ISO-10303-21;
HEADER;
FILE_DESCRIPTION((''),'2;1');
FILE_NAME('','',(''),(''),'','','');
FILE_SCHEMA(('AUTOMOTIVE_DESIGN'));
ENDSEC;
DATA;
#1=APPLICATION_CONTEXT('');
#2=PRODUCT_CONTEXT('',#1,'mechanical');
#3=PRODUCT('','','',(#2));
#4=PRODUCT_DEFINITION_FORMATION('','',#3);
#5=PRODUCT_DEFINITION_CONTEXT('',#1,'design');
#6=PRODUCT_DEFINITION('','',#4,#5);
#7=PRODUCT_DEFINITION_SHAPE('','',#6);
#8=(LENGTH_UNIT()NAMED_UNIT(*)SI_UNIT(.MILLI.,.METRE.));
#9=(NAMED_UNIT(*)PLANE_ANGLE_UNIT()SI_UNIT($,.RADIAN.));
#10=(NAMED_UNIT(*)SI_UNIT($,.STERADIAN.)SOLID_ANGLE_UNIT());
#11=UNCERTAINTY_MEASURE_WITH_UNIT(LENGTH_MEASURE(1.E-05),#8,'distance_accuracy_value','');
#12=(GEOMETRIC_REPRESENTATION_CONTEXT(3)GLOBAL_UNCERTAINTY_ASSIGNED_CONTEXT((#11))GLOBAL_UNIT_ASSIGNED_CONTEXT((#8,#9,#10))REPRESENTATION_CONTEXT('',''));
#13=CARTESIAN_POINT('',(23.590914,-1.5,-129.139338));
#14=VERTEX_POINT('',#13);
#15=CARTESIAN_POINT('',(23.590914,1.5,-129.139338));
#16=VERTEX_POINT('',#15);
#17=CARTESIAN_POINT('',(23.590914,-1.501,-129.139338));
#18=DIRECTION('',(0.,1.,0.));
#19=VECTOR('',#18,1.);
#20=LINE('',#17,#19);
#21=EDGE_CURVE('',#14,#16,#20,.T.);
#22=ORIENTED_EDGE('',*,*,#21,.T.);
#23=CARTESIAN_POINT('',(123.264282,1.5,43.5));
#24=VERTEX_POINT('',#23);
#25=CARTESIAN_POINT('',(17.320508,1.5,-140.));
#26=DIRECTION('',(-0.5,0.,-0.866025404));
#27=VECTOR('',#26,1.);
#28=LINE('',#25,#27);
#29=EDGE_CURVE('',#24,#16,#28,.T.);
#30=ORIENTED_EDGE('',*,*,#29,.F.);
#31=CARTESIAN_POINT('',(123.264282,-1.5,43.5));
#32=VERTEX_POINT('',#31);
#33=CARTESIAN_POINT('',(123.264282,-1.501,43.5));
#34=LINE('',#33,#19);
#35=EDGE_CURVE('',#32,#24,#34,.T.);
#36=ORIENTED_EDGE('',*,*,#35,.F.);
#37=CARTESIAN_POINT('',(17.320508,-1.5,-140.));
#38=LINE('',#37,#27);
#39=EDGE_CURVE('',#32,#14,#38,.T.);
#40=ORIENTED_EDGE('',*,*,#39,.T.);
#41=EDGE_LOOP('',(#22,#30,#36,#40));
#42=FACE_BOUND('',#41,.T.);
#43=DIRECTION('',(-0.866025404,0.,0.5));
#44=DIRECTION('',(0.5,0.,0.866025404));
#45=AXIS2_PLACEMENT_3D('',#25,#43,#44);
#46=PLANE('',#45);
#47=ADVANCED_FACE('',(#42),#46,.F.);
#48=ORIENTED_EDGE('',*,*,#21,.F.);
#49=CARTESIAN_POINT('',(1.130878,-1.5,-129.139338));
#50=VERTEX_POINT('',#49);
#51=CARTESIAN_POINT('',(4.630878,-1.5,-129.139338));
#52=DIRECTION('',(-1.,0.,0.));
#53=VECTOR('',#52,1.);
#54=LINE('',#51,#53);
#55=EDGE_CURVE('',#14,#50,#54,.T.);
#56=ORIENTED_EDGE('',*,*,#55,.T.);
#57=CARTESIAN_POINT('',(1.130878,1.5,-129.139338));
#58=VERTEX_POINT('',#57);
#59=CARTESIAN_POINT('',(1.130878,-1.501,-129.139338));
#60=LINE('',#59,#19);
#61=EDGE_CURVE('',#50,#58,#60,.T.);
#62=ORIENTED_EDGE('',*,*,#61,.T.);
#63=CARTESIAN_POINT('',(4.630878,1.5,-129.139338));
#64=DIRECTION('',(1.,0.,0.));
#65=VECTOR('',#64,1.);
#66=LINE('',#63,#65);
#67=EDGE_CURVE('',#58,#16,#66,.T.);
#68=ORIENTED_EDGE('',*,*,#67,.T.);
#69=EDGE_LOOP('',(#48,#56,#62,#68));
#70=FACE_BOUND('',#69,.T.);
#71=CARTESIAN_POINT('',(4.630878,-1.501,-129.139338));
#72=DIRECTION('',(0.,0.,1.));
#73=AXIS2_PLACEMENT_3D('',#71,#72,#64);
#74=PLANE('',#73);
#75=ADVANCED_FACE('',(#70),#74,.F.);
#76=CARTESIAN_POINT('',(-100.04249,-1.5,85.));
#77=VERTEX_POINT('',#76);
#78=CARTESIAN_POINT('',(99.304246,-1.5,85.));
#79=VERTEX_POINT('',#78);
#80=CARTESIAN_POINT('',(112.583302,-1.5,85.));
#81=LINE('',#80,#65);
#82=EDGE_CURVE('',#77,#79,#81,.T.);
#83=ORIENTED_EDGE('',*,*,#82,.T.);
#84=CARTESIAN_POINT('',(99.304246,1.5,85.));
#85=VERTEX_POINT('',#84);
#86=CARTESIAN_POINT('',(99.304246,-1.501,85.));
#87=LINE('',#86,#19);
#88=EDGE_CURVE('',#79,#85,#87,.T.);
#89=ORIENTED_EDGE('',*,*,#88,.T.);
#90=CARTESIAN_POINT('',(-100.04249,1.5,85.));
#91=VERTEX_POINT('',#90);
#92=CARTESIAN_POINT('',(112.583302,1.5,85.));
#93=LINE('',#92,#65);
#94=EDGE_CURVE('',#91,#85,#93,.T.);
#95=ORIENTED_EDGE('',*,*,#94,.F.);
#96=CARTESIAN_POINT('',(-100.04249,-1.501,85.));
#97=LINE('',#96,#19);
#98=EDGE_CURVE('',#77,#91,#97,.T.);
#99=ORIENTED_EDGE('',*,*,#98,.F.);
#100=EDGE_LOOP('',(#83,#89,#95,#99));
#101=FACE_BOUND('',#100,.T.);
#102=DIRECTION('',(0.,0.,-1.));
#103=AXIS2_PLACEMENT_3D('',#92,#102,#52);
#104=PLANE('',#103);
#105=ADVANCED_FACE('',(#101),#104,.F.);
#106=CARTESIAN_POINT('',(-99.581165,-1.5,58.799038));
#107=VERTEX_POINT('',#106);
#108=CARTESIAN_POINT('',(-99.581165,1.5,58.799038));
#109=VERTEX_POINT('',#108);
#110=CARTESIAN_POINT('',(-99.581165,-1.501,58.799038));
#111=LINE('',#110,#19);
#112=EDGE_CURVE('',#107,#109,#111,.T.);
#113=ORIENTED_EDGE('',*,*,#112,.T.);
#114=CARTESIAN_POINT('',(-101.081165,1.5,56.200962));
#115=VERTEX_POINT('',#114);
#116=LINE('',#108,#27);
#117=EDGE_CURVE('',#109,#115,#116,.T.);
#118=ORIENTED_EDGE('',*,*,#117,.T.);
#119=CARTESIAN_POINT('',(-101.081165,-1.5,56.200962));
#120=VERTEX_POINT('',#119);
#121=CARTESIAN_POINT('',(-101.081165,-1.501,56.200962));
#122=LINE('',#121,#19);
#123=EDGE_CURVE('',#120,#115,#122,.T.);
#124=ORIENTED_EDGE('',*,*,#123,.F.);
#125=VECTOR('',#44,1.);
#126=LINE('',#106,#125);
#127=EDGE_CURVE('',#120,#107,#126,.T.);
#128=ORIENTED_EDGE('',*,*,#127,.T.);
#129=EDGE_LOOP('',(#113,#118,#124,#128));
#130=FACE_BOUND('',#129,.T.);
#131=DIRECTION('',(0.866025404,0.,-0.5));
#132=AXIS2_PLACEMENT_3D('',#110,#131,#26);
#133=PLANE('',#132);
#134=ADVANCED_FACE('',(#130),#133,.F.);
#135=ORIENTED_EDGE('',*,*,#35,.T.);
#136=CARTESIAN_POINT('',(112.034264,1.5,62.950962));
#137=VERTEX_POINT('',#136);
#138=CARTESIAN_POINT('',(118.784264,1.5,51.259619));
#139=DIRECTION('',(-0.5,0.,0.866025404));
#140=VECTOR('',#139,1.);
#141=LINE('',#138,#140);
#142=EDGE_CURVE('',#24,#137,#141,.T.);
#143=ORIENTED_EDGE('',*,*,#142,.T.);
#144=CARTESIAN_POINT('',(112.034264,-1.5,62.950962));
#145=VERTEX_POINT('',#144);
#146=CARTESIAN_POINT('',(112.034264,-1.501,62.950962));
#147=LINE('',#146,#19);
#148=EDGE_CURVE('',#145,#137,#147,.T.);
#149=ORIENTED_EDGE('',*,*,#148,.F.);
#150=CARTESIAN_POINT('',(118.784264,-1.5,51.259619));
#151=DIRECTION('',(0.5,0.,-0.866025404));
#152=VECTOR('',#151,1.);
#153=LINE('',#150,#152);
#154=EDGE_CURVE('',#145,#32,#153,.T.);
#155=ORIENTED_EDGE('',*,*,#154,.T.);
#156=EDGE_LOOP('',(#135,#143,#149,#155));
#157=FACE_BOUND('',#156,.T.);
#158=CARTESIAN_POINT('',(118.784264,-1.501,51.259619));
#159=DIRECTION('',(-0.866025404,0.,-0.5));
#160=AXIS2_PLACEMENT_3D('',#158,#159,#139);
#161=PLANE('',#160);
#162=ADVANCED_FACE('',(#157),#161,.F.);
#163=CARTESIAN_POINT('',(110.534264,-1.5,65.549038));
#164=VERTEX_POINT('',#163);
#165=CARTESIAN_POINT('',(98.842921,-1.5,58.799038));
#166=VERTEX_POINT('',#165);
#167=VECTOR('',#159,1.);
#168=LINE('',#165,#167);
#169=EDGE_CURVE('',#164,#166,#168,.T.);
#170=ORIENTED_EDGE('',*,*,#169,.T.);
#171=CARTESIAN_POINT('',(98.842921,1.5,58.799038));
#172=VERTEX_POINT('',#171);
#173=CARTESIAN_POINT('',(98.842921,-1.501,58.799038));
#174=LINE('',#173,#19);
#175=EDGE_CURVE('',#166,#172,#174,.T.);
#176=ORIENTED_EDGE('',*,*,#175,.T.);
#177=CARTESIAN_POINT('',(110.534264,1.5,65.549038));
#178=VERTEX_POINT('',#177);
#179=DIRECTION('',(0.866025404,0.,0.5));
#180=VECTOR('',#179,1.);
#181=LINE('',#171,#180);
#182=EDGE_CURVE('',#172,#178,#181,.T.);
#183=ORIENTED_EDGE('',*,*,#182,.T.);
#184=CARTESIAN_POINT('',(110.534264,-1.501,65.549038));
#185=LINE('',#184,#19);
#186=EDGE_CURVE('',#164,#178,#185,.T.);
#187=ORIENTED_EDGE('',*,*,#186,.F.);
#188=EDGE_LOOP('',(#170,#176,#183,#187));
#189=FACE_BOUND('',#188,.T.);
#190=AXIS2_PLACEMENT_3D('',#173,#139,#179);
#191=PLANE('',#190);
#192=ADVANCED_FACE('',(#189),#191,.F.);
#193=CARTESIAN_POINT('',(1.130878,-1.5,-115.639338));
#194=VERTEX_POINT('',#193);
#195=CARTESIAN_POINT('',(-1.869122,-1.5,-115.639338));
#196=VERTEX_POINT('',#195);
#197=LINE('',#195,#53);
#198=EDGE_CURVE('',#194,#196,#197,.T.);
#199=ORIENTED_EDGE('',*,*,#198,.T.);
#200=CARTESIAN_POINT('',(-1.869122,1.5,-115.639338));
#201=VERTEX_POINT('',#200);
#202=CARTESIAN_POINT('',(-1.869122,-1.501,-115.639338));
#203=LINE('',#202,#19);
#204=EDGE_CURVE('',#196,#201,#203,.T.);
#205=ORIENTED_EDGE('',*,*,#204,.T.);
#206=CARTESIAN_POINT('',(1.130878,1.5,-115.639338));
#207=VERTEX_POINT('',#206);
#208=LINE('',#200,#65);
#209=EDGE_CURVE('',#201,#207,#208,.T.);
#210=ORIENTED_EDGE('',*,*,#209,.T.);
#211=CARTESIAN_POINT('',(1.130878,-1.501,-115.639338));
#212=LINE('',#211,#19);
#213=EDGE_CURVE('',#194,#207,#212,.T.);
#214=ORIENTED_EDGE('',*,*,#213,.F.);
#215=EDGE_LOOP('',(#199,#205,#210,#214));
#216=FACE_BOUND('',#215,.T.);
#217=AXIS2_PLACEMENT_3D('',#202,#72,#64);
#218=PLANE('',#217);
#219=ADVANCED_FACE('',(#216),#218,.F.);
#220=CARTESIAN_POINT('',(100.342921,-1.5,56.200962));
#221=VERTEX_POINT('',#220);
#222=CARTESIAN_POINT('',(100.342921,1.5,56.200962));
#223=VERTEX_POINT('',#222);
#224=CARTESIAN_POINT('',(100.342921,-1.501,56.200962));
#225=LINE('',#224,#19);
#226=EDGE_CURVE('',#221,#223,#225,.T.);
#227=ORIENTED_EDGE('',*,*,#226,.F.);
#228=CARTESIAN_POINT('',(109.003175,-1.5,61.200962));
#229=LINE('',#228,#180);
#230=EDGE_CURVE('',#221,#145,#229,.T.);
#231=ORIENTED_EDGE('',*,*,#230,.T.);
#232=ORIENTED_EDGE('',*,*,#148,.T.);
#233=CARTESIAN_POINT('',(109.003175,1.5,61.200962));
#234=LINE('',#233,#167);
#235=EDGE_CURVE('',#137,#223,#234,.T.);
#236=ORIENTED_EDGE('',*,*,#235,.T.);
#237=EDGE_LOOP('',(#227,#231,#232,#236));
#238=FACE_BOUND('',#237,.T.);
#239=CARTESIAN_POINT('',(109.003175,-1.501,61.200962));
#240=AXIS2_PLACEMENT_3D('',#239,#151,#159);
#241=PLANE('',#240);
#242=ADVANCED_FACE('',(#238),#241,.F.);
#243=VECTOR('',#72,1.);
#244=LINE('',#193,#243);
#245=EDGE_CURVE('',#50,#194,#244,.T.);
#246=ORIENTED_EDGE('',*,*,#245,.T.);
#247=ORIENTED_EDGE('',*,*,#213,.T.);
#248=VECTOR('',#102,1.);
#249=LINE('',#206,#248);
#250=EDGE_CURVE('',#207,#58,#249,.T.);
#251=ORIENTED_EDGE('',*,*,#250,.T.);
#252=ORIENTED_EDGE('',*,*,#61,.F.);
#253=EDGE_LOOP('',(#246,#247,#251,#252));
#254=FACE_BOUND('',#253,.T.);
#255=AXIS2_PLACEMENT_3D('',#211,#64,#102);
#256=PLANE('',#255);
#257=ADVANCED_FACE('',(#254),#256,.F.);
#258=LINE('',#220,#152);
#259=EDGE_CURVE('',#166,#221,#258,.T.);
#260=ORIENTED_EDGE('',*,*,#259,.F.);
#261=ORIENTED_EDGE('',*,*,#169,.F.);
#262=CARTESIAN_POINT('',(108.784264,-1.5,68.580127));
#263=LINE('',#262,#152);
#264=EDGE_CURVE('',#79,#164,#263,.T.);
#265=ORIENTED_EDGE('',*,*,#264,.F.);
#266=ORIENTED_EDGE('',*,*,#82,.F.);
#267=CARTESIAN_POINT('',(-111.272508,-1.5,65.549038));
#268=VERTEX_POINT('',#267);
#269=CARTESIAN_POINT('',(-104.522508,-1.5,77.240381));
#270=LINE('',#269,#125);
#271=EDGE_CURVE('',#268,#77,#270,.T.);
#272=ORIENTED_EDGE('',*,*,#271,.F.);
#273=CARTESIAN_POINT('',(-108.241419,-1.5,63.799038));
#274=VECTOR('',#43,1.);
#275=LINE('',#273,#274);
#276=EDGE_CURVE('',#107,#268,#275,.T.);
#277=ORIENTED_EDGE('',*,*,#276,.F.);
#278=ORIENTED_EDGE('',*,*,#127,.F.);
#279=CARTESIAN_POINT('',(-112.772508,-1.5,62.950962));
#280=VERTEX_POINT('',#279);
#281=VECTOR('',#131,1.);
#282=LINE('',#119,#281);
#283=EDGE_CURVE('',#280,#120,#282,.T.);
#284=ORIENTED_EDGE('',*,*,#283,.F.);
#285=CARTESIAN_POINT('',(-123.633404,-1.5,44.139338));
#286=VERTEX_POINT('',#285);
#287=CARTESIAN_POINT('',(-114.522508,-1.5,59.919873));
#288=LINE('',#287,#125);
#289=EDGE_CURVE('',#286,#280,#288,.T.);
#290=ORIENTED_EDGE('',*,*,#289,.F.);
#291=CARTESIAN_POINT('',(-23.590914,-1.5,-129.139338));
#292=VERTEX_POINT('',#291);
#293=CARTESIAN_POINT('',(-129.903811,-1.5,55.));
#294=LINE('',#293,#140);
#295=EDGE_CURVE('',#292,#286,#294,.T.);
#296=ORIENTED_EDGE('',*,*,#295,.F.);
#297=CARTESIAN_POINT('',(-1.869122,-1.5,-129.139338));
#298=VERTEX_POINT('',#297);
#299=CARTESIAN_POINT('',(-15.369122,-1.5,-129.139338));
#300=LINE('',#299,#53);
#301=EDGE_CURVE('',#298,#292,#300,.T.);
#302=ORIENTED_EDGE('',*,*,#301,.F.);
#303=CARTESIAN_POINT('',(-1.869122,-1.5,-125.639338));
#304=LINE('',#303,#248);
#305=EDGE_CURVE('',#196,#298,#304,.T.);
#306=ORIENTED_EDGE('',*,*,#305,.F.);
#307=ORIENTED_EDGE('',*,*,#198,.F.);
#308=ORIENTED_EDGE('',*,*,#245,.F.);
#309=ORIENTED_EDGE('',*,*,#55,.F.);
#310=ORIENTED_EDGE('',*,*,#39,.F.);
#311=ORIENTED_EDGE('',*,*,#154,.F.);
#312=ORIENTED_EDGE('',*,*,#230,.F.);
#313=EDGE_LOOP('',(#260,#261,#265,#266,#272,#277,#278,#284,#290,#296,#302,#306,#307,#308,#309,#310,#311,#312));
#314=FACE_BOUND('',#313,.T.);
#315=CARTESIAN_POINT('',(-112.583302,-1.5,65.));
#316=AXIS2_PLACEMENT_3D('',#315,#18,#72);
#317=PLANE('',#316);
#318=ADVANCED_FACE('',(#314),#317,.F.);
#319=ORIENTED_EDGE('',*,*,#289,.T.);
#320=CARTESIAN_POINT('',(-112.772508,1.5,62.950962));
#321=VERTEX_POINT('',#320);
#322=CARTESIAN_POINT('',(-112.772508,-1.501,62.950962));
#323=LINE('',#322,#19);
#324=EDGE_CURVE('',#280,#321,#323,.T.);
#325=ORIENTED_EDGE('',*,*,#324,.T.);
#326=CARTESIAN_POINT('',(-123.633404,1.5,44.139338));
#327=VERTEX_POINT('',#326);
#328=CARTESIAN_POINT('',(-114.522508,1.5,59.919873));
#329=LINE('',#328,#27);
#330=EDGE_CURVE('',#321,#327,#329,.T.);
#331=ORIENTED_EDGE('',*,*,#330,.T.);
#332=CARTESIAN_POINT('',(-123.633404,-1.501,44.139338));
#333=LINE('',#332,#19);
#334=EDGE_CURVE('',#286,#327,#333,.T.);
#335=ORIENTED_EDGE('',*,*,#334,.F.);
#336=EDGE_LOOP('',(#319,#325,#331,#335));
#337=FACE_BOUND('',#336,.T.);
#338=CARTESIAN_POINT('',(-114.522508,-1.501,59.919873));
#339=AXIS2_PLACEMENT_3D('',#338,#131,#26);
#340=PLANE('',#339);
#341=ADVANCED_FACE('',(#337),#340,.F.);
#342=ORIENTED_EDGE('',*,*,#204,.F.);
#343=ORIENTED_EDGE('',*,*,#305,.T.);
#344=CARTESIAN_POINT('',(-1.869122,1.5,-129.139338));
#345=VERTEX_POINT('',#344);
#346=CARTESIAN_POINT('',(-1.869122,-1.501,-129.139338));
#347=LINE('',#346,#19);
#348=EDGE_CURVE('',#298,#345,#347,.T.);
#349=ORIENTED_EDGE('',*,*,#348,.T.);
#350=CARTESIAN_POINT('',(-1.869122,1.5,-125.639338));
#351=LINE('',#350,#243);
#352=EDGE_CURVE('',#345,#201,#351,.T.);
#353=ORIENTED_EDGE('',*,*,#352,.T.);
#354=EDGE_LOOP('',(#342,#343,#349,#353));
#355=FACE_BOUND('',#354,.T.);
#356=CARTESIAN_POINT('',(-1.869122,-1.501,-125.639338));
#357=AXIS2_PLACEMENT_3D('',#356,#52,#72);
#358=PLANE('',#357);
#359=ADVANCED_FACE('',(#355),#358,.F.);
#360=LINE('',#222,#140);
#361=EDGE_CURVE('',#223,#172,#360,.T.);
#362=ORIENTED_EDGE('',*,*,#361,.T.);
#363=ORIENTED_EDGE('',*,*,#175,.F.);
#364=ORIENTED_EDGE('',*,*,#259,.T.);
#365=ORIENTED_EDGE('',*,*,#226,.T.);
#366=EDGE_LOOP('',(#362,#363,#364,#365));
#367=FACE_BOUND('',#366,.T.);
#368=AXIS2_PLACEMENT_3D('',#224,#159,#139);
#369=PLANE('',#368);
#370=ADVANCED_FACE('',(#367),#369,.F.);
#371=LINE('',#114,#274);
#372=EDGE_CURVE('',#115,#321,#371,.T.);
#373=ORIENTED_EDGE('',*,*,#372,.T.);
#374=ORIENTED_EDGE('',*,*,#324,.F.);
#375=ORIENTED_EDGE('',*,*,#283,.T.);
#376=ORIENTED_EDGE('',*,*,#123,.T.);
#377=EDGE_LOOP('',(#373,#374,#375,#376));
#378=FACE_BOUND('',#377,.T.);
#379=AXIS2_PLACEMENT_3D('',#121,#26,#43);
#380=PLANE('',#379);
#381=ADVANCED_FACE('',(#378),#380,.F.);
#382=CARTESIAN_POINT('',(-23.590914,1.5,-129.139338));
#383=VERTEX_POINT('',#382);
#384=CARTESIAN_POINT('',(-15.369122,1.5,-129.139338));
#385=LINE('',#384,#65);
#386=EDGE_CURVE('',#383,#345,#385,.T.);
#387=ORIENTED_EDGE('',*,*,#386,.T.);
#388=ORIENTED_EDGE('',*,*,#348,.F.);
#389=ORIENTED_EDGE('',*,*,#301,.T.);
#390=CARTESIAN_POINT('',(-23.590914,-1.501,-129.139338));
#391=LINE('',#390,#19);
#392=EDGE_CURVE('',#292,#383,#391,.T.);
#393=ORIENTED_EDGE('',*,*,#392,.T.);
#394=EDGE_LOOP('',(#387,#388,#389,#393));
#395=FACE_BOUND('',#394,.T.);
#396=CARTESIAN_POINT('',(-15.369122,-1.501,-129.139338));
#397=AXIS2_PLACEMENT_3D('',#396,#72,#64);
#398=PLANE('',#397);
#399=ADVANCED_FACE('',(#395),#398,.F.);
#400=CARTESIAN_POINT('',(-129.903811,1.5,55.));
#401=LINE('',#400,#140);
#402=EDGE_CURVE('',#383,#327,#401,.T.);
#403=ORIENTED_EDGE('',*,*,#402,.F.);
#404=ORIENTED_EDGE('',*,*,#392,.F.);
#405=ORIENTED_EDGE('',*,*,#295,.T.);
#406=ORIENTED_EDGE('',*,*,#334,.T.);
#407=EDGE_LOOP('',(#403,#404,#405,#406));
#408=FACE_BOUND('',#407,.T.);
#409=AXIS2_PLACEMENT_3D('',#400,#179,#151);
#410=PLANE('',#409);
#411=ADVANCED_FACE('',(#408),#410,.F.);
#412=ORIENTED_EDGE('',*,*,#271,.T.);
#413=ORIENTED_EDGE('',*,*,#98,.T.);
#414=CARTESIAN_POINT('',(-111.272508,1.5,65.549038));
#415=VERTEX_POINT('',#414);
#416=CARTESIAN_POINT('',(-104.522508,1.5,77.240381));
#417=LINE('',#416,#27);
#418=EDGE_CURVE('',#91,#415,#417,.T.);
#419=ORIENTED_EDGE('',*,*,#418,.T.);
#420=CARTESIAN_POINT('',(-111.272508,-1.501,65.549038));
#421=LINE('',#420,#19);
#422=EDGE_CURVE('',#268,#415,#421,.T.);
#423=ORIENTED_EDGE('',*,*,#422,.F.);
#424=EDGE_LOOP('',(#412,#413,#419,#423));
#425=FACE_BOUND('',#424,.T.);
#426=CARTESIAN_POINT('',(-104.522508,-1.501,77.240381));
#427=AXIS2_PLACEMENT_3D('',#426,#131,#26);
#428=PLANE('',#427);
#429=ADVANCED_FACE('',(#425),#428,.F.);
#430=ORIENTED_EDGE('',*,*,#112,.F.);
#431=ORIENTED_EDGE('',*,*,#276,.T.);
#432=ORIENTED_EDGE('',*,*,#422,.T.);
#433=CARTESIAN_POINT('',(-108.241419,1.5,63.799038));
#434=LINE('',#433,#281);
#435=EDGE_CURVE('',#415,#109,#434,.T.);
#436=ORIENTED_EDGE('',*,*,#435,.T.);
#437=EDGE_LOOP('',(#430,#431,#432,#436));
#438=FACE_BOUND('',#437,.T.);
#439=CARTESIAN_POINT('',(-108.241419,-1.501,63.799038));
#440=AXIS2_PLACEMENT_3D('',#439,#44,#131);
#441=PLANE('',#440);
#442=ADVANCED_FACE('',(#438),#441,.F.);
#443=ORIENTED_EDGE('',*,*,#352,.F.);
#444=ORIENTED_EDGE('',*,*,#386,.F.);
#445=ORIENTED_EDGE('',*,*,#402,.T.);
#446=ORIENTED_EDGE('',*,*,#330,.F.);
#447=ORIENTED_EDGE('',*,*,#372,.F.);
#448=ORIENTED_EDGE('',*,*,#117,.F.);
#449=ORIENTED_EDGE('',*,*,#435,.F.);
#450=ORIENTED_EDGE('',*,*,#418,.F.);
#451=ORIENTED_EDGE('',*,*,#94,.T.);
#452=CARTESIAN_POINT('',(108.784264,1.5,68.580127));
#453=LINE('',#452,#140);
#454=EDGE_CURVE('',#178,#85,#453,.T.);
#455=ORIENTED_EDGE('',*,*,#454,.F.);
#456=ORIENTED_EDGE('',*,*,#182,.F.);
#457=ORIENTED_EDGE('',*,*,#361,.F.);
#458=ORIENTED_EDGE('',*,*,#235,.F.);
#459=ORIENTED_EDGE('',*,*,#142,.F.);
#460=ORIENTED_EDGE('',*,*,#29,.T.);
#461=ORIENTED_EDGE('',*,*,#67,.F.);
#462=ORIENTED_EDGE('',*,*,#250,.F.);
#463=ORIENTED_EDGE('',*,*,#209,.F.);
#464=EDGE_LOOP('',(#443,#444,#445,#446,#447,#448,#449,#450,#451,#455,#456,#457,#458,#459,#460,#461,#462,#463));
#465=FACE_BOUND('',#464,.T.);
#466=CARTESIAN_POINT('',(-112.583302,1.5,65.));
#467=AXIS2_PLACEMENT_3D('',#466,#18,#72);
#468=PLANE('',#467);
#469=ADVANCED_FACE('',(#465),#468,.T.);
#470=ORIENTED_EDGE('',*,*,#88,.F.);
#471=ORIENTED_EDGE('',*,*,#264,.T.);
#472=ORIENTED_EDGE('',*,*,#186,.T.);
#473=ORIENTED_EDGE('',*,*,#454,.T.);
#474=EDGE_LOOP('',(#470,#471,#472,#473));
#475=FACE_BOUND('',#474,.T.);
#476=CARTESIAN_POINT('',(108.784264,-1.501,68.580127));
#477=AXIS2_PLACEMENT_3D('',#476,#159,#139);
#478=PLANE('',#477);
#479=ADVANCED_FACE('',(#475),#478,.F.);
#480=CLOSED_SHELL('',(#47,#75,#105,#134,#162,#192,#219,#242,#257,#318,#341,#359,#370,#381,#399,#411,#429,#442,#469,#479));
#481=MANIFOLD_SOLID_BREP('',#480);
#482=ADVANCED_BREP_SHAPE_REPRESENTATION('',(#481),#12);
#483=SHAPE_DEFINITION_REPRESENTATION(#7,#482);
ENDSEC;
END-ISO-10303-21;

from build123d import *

# Parameters (mm, degrees)
SALIENTE_EXTRUIR1_DEPTH = 1.5
CORTAR_EXTRUIR1_DEPTH   = 3
MATRIZC1_COUNT          = 3
CORTAR_EXTRUIR4_REACH   = 5


with BuildPart() as part:
    # Croquis1 → Saliente-Extruir1 (new body, symmetric)
    with BuildSketch(Plane(origin=(0, 0, 0), x_dir=(1, 0, 0), z_dir=(0, 1, 0))):
        with BuildLine():
            Line((-129.903810568, -55), (-17.320508076, 140))
            ThreePointArc((-17.320508076, 140), (0, 150), (17.320508076, 140))
            Line((17.320508076, 140), (129.903810568, -55))
            ThreePointArc((129.903810568, -55), (129.903810568, -75), (112.583302492, -85))
            Line((112.583302492, -85), (-112.583302492, -85))
            ThreePointArc((-112.583302492, -85), (-129.903810568, -75), (-129.903810568, -55))
        make_face()
    extrude(amount=SALIENTE_EXTRUIR1_DEPTH, both=True)

    # Croquis2 → Cortar-Extruir1 (cut)
    with BuildSketch(Plane(origin=(0, 1.5, 0), x_dir=(1, 0, 0), z_dir=(0, 1, 0))):
        Polygon((107.503175473, -63.799038106), (109.003175473, -61.200961894), (100.342921435, -56.200961894), (98.842921435, -58.799038106), align=None)
        Polygon((113.784264386, -59.919872981), (116.382340598, -61.419872981), (121.382340598, -52.759618943), (118.784264386, -51.259618943), align=None)
        Polygon((117.663429511, -66.200961894), (116.163429511, -68.799038106), (124.823683549, -73.799038106), (126.323683549, -71.200961894), align=None)
        Polygon((111.382340598, -70.080127019), (108.784264386, -68.580127019), (103.784264386, -77.240381057), (106.382340598, -78.740381057), align=None)
    cortar_extruir1 = extrude(amount=-CORTAR_EXTRUIR1_DEPTH, mode=Mode.SUBTRACT)

    # MatrizC1: Cortar-Extruir1 ×3 about axis
    matrizc1_axis = Axis((-0.369121776, 0, -0.213112557), (0, 1, 0))
    for i in range(1, MATRIZC1_COUNT):
        add(cortar_extruir1.rotate(matrizc1_axis, i * 360 / MATRIZC1_COUNT), mode=Mode.SUBTRACT)

    # Croquis5 → Cortar-Extruir4 (cut, up to next)
    with BuildSketch(Plane(origin=(0, 1.5, 0), x_dir=(1, 0, 0), z_dir=(0, 1, 0)), mode=Mode.PRIVATE) as cortar_extruir4_sk1:
        Polygon((-123.633404248, -44.139337671), (-112.772507939, -62.950961894), (-109.741419026, -61.200961894), (-108.241419026, -63.799038106), (-111.272507939, -65.549038106), (-100.042489853, -85), (-147.224318643, -85), align=None)
    cortar_extruir4_tool1 = extrude(cortar_extruir4_sk1.sketch, amount=-CORTAR_EXTRUIR4_REACH, mode=Mode.PRIVATE) & part.part
    add(cortar_extruir4_tool1.solids().sort_by_distance((-123.491961, 1.5, 71.293524))[0], mode=Mode.SUBTRACT)
    # Croquis5 → Cortar-Extruir4 (cut, up to next)
    with BuildSketch(Plane(origin=(0, 1.5, 0), x_dir=(1, 0, 0), z_dir=(0, 1, 0)), mode=Mode.PRIVATE) as cortar_extruir4_sk2:
        Polygon((-1.869121776, 129.139337671), (-23.590914395, 129.139337671), (0, 170), (23.590914395, 129.139337671), (1.130878224, 129.139337671), (1.130878224, 125.639337671), (-1.869121776, 125.639337671), align=None)
    cortar_extruir4_tool2 = extrude(cortar_extruir4_sk2.sketch, amount=-CORTAR_EXTRUIR4_REACH, mode=Mode.PRIVATE) & part.part
    add(cortar_extruir4_tool2.solids().sort_by_distance((-0.003977, 1.5, -142.593938))[0], mode=Mode.SUBTRACT)
    # Croquis5 → Cortar-Extruir4 (cut, up to next)
    with BuildSketch(Plane(origin=(0, 1.5, 0), x_dir=(1, 0, 0), z_dir=(0, 1, 0)), mode=Mode.PRIVATE) as cortar_extruir4_sk3:
        Polygon((112.034264386, -62.950961894), (123.264282472, -43.5), (147.224318643, -85), (99.304246301, -85), (110.534264386, -65.549038106), (107.503175473, -63.799038106), (109.003175473, -61.200961894), align=None)
    cortar_extruir4_tool3 = extrude(cortar_extruir4_sk3.sketch, amount=-CORTAR_EXTRUIR4_REACH, mode=Mode.PRIVATE) & part.part
    add(cortar_extruir4_tool3.solids().sort_by_distance((123.123262, 1.5, 71.085248))[0], mode=Mode.SUBTRACT)


solid = part.part
